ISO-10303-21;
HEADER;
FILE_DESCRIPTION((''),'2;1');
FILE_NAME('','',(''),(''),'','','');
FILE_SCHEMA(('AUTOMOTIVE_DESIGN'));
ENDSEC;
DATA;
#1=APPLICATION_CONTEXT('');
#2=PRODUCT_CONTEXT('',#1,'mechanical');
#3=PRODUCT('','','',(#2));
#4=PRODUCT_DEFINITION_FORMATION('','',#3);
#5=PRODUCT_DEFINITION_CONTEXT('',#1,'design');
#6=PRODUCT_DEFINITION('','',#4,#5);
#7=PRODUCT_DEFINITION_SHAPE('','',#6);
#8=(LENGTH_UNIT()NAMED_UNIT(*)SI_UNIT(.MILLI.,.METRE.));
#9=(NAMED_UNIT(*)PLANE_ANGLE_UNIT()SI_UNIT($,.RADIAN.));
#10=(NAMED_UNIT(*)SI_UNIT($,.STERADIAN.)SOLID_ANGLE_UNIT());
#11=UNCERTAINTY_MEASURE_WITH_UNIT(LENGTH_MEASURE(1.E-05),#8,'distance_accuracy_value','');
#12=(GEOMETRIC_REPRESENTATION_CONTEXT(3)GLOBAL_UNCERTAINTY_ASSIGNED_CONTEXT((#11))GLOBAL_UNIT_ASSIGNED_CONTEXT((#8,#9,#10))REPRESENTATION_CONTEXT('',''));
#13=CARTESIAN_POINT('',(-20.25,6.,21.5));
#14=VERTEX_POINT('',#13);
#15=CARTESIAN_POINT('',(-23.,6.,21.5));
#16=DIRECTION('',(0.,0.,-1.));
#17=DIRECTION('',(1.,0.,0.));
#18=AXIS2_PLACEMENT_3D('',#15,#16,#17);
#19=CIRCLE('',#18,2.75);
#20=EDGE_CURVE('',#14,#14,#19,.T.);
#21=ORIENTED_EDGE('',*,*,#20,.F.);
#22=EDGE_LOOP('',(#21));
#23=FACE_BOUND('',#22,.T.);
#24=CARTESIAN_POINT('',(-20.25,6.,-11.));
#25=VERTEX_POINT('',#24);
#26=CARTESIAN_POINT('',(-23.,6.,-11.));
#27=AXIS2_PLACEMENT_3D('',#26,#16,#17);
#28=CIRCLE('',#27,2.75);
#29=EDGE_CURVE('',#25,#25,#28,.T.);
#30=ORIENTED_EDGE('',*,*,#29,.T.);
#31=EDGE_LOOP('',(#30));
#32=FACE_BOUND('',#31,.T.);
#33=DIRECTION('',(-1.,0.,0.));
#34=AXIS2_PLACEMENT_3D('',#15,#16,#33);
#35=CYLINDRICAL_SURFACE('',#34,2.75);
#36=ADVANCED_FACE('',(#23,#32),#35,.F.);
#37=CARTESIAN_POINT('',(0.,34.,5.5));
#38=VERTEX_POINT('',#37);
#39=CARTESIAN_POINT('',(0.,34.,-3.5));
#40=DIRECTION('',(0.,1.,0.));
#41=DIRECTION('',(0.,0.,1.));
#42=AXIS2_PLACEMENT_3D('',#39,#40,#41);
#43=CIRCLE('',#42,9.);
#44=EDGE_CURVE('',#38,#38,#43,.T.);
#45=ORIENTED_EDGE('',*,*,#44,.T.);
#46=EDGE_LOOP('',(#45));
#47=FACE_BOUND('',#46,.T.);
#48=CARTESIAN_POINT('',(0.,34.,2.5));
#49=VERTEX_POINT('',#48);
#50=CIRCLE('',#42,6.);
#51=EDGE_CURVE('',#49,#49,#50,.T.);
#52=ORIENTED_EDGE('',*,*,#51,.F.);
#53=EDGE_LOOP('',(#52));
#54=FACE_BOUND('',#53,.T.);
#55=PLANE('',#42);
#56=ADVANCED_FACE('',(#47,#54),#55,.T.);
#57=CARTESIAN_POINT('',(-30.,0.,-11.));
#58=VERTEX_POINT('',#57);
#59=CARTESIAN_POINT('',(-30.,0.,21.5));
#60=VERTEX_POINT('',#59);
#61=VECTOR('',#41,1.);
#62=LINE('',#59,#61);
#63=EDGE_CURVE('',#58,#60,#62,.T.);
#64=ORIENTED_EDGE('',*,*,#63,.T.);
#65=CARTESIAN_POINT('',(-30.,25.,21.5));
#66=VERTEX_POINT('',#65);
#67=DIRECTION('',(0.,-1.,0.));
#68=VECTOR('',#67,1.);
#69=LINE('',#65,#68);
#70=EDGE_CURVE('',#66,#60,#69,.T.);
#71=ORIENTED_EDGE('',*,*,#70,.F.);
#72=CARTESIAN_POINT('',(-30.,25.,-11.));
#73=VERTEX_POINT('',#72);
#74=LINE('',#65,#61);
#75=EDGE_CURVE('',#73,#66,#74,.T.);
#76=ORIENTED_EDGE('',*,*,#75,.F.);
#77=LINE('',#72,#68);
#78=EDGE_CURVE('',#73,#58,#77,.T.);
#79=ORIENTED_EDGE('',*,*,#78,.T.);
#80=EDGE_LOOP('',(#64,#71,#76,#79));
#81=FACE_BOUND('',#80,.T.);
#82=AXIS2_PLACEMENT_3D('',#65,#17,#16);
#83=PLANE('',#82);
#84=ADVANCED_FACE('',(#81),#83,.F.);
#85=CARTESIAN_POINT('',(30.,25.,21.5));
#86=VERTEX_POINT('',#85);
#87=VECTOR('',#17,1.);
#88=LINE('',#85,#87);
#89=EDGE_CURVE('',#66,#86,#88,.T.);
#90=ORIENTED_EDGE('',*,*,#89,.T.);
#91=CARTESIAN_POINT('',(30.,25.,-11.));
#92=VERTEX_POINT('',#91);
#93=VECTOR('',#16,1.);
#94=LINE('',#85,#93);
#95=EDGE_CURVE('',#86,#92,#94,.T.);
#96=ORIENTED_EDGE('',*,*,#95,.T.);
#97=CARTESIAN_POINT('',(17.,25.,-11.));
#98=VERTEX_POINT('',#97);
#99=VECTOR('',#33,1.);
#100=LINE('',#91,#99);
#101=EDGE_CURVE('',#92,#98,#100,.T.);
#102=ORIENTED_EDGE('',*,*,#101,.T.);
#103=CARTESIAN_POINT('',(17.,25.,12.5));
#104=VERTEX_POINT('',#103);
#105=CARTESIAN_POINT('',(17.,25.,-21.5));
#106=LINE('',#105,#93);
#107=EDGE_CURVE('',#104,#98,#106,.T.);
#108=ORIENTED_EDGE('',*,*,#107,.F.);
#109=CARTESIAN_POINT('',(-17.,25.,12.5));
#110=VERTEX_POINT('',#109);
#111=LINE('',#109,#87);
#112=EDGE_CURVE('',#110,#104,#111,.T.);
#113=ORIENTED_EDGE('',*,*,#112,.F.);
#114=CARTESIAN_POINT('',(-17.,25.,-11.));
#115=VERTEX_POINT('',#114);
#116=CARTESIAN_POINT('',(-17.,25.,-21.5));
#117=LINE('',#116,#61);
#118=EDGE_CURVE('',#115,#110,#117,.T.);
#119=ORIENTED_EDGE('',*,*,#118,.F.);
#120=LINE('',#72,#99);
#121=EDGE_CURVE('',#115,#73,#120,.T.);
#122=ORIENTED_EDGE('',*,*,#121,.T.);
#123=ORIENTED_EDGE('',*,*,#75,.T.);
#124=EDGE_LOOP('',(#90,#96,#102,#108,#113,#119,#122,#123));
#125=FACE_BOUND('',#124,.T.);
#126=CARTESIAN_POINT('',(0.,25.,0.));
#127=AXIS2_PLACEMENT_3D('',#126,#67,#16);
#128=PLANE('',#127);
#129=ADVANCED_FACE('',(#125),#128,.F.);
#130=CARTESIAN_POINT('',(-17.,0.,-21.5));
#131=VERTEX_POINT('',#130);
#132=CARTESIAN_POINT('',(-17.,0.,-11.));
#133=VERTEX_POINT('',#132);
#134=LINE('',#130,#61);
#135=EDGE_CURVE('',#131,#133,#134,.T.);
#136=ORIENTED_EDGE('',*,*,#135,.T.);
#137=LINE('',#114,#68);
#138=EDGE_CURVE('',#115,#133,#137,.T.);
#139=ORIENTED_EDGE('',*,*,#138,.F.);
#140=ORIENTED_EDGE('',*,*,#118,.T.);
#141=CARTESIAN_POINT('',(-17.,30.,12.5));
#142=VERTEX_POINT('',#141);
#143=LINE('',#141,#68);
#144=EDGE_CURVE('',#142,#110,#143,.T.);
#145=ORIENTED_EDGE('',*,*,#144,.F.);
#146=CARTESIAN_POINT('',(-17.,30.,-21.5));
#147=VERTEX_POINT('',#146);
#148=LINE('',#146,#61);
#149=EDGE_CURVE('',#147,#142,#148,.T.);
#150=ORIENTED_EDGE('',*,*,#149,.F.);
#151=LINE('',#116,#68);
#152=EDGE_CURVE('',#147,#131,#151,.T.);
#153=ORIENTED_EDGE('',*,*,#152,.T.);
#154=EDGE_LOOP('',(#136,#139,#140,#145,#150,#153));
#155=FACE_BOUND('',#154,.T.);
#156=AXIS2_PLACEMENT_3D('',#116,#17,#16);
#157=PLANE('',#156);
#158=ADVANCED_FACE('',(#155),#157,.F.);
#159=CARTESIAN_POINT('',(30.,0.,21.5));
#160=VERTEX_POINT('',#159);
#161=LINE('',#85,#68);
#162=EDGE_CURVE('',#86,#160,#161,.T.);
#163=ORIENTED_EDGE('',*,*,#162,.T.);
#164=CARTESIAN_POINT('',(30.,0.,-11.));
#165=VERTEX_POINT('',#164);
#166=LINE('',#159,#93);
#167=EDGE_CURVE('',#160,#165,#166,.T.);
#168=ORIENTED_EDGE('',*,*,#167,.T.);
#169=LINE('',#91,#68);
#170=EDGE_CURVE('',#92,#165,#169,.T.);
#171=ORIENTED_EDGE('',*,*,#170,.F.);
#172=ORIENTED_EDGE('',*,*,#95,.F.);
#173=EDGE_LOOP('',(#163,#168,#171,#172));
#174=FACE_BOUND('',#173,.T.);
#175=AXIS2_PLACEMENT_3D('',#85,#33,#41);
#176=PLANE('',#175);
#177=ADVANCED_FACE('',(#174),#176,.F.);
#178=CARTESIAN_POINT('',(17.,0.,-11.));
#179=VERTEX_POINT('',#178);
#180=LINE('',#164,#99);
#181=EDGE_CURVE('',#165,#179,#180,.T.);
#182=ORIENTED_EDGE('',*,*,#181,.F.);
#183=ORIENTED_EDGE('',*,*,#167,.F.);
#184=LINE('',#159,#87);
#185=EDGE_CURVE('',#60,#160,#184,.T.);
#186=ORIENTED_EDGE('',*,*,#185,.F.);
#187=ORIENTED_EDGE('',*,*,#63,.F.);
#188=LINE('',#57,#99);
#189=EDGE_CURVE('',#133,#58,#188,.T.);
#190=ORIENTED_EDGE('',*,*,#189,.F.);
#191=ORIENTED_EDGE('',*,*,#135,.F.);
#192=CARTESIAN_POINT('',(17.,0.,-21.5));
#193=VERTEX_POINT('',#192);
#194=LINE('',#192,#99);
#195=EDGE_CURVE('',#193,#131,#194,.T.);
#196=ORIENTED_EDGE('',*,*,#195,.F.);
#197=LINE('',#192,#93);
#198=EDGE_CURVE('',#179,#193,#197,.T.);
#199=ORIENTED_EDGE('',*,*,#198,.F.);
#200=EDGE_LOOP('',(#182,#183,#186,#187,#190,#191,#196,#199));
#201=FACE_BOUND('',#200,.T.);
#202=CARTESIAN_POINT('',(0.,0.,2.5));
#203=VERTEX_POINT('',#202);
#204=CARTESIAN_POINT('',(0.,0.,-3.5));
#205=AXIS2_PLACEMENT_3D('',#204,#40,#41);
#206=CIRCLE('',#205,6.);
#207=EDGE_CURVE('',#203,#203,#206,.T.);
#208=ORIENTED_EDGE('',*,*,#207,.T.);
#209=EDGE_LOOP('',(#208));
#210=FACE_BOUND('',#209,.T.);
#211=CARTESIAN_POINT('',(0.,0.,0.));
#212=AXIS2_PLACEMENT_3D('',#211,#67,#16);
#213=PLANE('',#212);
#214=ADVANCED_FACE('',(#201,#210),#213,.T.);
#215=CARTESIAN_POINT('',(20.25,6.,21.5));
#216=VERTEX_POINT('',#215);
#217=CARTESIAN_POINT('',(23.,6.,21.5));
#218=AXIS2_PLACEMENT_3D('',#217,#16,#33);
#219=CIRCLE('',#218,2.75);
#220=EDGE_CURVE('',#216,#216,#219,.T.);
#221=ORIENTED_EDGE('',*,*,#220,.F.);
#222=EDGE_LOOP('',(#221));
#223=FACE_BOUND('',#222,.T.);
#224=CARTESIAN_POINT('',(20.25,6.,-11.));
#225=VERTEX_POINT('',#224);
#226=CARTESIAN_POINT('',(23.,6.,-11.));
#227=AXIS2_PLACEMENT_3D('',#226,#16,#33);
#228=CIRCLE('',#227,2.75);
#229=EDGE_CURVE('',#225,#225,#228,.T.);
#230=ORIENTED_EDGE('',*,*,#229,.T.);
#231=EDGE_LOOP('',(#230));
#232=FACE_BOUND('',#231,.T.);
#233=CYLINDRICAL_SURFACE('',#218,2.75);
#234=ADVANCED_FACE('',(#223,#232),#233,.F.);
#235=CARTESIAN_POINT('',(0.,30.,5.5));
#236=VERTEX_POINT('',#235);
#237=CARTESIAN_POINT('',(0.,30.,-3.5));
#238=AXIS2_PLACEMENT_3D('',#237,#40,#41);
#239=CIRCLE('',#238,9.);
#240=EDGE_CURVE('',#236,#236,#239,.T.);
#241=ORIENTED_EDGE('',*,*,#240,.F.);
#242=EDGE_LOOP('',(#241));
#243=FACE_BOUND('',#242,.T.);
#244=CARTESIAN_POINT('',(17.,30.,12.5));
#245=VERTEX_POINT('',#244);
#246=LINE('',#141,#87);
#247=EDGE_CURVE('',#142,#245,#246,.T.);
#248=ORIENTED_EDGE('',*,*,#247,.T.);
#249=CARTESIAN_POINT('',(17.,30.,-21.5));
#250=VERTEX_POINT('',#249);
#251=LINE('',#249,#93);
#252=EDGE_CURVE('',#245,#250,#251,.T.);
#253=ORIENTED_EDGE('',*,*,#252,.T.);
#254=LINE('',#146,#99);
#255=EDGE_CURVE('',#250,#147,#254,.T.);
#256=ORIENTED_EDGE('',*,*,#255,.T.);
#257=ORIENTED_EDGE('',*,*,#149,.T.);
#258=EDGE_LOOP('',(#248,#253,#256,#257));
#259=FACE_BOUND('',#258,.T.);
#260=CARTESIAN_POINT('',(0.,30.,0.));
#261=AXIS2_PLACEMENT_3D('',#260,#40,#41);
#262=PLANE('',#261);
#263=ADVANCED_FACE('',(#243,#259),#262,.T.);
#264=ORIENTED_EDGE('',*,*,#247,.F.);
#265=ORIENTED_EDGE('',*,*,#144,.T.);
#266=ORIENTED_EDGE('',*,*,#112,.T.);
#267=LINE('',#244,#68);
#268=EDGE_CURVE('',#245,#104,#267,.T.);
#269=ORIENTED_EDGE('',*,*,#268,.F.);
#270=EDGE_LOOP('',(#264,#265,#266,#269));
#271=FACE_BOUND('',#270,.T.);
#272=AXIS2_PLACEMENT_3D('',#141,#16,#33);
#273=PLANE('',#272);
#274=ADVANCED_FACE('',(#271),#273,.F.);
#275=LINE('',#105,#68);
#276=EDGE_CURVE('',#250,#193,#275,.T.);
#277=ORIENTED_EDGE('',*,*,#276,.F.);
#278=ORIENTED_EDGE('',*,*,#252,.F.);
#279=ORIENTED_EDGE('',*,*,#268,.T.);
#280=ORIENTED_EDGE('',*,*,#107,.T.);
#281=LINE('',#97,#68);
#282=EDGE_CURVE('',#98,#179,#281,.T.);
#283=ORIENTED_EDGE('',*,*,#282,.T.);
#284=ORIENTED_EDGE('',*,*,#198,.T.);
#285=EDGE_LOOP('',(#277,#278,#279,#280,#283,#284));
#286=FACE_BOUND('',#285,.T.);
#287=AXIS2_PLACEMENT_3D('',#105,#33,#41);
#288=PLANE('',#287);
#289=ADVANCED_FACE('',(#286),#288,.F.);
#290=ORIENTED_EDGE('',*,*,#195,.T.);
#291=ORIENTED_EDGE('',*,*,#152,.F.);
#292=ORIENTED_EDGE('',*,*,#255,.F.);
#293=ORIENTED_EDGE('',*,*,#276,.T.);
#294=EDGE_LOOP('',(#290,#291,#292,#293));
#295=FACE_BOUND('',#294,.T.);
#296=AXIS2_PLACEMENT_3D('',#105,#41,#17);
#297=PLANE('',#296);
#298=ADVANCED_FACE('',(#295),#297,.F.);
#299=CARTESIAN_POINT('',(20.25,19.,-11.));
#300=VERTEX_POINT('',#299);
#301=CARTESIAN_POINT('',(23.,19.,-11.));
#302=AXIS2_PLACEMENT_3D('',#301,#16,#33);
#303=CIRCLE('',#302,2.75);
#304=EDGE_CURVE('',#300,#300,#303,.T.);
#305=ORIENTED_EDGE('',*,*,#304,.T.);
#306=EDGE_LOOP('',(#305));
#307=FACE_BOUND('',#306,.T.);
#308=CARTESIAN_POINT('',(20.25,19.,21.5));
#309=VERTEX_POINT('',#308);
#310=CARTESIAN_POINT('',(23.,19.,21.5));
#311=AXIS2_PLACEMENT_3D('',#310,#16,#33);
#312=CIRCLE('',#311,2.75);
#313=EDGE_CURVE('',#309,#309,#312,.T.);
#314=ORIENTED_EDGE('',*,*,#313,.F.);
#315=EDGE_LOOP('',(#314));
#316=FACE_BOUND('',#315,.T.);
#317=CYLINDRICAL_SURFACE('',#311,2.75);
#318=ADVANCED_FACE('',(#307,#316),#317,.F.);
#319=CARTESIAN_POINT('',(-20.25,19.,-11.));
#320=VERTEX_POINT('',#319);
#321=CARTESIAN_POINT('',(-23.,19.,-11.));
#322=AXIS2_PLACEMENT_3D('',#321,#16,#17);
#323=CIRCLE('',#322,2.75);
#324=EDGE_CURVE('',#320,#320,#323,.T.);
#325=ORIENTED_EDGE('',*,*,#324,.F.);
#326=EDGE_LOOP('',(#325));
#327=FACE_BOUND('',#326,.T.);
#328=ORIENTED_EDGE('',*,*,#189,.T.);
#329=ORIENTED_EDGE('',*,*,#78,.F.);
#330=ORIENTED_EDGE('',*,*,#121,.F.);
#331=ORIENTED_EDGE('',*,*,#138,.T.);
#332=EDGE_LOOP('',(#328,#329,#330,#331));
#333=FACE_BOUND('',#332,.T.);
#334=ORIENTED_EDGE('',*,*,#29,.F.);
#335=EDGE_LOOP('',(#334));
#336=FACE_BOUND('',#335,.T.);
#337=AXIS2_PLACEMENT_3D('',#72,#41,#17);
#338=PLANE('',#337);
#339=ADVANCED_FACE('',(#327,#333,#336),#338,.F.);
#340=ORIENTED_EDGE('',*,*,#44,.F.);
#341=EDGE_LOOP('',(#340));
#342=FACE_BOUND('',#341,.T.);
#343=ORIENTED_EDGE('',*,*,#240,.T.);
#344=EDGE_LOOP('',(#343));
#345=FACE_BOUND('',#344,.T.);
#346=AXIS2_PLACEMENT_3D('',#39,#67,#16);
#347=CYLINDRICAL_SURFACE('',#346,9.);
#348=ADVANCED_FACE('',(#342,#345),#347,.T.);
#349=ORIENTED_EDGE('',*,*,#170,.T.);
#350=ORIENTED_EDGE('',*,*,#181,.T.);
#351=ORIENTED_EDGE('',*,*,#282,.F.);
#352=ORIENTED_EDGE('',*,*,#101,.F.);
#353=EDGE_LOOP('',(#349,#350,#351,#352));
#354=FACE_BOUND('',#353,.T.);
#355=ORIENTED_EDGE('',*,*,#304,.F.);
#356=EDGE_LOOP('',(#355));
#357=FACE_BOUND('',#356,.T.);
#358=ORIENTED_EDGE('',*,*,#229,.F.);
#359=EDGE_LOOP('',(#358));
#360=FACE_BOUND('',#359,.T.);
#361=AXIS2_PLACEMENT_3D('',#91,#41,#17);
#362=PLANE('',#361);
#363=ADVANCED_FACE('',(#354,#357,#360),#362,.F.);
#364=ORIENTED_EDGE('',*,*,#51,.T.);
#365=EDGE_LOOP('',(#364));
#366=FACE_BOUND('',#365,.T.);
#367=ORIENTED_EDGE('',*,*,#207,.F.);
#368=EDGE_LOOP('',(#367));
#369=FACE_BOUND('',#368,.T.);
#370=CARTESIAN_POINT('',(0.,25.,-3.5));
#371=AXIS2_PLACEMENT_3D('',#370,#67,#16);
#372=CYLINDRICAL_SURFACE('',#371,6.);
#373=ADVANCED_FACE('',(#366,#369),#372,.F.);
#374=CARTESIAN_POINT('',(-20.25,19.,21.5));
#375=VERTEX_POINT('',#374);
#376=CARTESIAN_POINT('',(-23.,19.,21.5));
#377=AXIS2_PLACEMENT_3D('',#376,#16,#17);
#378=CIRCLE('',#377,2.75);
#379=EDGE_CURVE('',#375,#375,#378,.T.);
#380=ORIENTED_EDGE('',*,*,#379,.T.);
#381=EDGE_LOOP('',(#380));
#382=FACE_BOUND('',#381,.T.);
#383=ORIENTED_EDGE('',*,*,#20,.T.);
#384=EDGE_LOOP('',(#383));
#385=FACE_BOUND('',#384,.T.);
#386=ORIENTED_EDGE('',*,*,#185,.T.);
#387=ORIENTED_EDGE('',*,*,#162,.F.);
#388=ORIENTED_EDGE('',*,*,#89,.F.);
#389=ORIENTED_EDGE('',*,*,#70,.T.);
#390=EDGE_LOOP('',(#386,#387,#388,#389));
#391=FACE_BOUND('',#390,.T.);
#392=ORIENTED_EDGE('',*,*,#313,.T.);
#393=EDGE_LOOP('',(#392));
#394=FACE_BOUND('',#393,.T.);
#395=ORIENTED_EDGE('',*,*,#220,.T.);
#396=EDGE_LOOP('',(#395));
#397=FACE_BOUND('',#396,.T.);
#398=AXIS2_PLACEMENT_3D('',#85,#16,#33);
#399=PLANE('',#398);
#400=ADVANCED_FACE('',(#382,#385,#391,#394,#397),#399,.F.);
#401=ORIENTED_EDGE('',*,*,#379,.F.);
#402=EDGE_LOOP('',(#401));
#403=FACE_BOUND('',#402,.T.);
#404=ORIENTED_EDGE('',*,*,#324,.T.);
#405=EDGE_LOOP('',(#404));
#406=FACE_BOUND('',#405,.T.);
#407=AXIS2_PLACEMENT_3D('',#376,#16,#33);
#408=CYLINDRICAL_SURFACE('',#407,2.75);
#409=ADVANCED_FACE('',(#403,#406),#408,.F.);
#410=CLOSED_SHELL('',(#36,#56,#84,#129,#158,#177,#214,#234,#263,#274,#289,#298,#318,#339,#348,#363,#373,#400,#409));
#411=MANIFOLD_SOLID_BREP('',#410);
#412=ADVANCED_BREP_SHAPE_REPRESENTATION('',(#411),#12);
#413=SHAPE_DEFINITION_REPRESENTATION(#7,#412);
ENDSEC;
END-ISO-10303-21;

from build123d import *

# Parameters (mm, degrees)
SKETCH1_R           = 6
BOSS_EXTRUDE1_DEPTH = 25
SKETCH2_R           = 2.75
CUT_EXTRUDE1_DEPTH  = 33.5
SKETCH3_W           = 34
SKETCH3_H           = 34
SKETCH3_R           = 6
BOSS_EXTRUDE2_DEPTH = 5
SKETCH4_R           = 9
SKETCH4_R_2         = 6
BOSS_EXTRUDE3_DEPTH = 4


with BuildPart() as part:
    # Sketch1 → Boss-Extrude1 (new body)
    with BuildSketch(Plane(origin=(0, 0, 0), x_dir=(1, 0, 0), z_dir=(0, 1, 0))):
        Polygon((30, -21.5), (-30, -21.5), (-30, 11), (-17, 11), (-17, 21.5), (17, 21.5), (17, 11), (30, 11), align=None)
        with Locations((0, 3.5)):
            Circle(SKETCH1_R, mode=Mode.SUBTRACT)
    extrude(amount=BOSS_EXTRUDE1_DEPTH)

    # Sketch2 → Cut-Extrude1 (cut, through all)
    with BuildSketch(Plane(origin=(0, 0, -11), x_dir=(-1, 0, 0), z_dir=(0, 0, -1))):
        with Locations((-23, 19)):
            Circle(SKETCH2_R)
        with Locations((-23, 6)):
            Circle(SKETCH2_R)
        with Locations((23, 6)):
            Circle(SKETCH2_R)
        with Locations((23, 19)):
            Circle(SKETCH2_R)
    extrude(amount=-CUT_EXTRUDE1_DEPTH, mode=Mode.SUBTRACT)

    # Sketch3 → Boss-Extrude2 (add)
    with BuildSketch(Plane(origin=(0, 25, 0), x_dir=(1, 0, 0), z_dir=(0, 1, 0))):
        with Locations((0, 4.5)):
            Rectangle(SKETCH3_W, SKETCH3_H)
        with Locations((0, 3.5)):
            Circle(SKETCH3_R, mode=Mode.SUBTRACT)
    extrude(amount=BOSS_EXTRUDE2_DEPTH)

    # Sketch4 → Boss-Extrude3 (add)
    with BuildSketch(Plane(origin=(0, 30, 0), x_dir=(1, 0, 0), z_dir=(0, 1, 0))):
        with Locations((0, 3.5)):
            Circle(SKETCH4_R)
        with Locations((0, 3.5)):
            Circle(SKETCH4_R_2, mode=Mode.SUBTRACT)
    extrude(amount=BOSS_EXTRUDE3_DEPTH)


solid = part.part
